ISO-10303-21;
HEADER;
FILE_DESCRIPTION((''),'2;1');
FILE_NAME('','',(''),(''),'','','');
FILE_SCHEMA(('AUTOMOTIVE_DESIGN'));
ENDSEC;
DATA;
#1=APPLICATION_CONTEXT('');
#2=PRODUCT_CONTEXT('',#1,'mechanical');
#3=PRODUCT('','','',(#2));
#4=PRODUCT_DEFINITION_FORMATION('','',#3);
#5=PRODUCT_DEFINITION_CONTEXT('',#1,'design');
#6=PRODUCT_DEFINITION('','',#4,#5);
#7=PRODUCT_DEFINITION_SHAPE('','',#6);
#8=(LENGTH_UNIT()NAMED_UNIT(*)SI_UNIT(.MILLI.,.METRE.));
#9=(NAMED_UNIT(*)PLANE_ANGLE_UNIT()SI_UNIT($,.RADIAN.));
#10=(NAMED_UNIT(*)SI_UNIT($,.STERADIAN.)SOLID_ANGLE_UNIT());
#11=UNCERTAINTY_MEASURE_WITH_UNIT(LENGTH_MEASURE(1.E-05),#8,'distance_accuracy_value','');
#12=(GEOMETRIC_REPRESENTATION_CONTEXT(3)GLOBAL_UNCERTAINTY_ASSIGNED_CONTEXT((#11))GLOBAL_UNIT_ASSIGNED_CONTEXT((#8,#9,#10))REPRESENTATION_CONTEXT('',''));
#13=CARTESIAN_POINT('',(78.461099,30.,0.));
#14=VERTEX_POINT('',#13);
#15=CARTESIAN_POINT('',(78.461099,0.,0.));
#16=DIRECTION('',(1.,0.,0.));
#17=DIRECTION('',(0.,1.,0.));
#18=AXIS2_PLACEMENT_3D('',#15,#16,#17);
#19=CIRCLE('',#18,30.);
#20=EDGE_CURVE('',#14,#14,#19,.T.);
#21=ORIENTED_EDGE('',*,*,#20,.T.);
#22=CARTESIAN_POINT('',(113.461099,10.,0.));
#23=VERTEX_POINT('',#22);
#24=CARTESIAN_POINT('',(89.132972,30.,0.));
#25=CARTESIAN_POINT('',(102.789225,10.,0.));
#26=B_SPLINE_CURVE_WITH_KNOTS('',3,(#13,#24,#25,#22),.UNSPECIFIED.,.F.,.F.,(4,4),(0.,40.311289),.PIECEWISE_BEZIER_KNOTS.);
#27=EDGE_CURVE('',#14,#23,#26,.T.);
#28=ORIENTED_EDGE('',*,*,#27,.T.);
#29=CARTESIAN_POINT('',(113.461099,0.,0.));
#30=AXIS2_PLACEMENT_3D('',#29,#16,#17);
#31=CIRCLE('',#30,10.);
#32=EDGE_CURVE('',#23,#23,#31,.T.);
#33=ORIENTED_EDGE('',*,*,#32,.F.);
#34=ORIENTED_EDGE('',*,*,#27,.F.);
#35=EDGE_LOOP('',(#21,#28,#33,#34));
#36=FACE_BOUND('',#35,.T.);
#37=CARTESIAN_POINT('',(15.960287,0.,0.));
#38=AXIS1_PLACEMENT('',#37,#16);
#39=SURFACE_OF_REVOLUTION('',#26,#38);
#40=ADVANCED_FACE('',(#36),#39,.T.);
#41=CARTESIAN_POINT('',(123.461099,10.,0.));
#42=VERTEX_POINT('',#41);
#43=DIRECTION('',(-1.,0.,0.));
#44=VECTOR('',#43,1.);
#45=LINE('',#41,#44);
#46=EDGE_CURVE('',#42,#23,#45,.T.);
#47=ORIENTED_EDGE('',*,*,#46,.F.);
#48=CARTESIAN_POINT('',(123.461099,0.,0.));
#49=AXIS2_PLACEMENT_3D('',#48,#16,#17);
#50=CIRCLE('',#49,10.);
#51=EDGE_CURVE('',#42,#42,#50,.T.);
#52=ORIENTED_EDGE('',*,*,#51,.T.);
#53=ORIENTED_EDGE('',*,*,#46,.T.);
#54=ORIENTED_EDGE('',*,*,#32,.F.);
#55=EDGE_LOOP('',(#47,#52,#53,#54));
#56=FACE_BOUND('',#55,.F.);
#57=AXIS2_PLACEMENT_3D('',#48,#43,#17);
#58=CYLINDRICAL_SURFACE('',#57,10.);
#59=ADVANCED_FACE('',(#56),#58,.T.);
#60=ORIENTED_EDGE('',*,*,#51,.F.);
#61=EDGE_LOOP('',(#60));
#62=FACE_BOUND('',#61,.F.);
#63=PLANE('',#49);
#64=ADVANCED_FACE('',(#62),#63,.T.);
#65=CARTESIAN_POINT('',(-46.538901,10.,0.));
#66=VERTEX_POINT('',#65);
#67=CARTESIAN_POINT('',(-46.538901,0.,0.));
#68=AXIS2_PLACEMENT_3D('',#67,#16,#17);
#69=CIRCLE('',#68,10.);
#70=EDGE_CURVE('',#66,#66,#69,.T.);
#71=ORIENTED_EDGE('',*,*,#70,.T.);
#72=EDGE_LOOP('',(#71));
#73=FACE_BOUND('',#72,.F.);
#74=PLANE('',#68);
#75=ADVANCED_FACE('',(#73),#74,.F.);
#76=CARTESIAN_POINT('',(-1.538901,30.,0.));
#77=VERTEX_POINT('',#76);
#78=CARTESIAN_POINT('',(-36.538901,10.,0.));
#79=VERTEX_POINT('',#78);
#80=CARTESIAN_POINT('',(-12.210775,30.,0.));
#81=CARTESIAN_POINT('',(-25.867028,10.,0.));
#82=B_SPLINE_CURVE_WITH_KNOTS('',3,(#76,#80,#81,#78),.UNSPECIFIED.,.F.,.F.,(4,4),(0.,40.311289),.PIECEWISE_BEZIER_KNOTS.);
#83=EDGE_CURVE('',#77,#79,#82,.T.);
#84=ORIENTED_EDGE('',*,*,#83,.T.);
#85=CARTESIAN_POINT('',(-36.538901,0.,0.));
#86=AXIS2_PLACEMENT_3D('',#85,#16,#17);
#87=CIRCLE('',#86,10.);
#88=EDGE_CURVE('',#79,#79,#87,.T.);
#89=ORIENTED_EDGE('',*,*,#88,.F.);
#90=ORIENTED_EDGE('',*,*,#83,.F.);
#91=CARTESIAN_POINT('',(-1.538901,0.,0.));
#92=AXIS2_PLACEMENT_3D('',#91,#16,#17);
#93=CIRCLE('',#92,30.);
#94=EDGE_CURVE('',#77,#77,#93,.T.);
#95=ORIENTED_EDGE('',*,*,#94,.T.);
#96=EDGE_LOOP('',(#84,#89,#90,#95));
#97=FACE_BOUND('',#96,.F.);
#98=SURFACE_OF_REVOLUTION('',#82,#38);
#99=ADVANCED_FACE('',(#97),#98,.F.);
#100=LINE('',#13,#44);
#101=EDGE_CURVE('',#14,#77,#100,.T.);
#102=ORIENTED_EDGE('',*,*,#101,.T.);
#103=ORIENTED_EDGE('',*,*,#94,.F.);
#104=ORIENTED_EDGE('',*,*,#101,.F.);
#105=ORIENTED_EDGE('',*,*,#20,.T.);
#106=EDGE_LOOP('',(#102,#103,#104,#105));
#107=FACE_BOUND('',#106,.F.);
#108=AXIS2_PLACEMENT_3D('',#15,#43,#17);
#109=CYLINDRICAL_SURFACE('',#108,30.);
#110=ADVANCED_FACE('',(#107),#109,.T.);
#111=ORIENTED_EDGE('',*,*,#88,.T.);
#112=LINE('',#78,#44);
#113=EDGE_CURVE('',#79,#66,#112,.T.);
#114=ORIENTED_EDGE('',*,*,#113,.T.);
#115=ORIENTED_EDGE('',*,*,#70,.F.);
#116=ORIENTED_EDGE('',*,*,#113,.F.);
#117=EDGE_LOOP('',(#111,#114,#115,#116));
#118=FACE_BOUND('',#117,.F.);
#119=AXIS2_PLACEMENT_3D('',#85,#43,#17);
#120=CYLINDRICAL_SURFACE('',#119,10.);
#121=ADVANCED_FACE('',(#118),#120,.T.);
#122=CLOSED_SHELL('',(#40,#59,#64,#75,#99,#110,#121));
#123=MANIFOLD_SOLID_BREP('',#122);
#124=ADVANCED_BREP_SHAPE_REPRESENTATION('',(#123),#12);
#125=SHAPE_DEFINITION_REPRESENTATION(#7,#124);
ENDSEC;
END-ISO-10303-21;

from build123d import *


with BuildPart() as f1:
    # F0 (on Top) → F1 (revolve)
    with BuildSketch(Plane.XY):
        with BuildLine():
            Line((-36.538901, 10), (-46.538901, 10))
            Line((-46.538901, 10), (-46.538901, 0))
            Line((-46.538901, 0), (123.461099, 0))
            Line((123.461099, 0), (123.461099, 10))
            Line((123.461099, 10), (113.461099, 10))
            add(Edge.make_bspline(
                [(78.461099, 30), (89.132972, 30), (102.789225, 10), (113.461099, 10)],
                knots=[0, 0, 0, 0, 40.311289, 40.311289, 40.311289, 40.311289], degree=3))
            Line((78.461099, 30), (-1.538901, 30))
            add(Edge.make_bspline(
                [(-1.538901, 30), (-12.210775, 30), (-25.867028, 10), (-36.538901, 10)],
                knots=[0, 0, 0, 0, 40.311289, 40.311289, 40.311289, 40.311289], degree=3))
        make_face()
    revolve(axis=Axis((15.960287, 0, 0), (1, 0, 0)))


solid = f1.part
